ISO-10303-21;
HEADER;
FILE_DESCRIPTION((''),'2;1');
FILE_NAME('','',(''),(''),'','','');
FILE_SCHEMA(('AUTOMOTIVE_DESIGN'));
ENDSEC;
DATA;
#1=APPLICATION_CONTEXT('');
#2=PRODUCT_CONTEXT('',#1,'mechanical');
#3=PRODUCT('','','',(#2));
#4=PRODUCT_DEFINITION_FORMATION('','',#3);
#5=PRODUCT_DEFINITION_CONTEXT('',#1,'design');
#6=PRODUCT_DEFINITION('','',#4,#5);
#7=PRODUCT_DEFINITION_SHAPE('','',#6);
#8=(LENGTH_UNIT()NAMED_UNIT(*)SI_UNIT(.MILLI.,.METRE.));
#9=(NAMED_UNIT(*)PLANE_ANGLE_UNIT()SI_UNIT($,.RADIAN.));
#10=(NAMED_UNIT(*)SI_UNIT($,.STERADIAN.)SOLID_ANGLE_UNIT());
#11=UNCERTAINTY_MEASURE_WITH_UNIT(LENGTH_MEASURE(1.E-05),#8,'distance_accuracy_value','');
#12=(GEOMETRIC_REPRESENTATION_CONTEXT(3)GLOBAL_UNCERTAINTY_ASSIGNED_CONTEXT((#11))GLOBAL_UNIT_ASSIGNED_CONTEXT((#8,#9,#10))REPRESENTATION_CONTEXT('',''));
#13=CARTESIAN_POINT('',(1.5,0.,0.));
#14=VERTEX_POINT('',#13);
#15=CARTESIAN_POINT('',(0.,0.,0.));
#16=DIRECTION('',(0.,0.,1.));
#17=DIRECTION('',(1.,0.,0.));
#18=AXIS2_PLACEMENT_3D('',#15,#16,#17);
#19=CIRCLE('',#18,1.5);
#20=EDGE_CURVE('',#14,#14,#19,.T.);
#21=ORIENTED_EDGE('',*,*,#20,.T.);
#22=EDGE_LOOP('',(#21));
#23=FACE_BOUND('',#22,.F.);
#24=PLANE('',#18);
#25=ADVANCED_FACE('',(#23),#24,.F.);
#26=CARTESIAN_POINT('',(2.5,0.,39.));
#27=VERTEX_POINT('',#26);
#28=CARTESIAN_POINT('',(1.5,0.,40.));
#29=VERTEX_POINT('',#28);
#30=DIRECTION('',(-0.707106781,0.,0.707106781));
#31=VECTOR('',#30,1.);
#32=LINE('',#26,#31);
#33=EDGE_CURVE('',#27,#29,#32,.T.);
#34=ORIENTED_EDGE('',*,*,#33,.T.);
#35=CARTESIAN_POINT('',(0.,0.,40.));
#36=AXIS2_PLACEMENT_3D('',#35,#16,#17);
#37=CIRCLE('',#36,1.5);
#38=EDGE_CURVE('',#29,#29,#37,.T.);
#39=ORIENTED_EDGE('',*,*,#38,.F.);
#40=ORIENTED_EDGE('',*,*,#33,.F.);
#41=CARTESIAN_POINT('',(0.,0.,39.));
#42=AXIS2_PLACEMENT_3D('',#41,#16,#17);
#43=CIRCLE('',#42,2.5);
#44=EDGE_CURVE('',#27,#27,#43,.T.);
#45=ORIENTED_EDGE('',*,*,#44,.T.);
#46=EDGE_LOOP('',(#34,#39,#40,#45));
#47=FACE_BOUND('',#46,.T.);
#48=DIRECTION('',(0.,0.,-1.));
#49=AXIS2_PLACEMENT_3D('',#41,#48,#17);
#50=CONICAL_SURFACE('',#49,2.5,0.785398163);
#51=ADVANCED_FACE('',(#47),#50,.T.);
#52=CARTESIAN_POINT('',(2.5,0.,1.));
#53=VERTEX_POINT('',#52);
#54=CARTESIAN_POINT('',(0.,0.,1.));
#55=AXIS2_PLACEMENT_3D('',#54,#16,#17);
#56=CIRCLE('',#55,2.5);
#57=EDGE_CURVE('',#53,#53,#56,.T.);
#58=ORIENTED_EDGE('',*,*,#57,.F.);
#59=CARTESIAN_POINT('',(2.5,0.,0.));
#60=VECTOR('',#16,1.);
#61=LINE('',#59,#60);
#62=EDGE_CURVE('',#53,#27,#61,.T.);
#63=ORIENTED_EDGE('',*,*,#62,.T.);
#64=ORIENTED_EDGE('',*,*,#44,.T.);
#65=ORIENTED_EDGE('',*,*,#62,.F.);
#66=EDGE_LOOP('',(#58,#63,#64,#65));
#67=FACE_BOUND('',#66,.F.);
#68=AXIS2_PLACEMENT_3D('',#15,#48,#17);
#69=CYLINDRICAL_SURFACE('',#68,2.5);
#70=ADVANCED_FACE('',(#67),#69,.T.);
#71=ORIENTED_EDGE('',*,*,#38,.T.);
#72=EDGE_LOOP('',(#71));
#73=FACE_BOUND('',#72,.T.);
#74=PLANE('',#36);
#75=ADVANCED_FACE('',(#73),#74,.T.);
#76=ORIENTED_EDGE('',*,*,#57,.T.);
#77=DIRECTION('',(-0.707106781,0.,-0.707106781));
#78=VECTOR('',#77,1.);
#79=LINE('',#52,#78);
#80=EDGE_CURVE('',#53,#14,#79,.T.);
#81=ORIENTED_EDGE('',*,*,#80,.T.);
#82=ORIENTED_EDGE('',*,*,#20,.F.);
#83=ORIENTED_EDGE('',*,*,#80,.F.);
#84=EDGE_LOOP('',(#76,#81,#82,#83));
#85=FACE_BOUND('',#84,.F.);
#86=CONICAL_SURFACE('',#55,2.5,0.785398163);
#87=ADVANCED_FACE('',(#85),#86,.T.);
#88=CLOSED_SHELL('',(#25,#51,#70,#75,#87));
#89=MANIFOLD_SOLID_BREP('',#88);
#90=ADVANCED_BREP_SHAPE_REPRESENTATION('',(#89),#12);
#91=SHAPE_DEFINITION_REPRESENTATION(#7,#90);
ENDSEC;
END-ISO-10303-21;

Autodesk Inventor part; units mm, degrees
ref_plane "YZ Plane" through (0, 0, 0) normal (1, 0, 0) x (0, 1, 0)
ref_plane "XZ Plane" through (0, 0, 0) normal (0, 1, 0) x (-1, 0, 0)
ref_plane "XY Plane" through (0, 0, 0) normal (0, 0, 1) x (1, 0, 0)
sketch "Sketch1" plane through (0, 0, 0) normal (0, 0, 1) x (1, 0, 0)
  circle A0 centre (0, 0) radius 2.5
  dimension "d0" = 5
extrude "Extrusion1" add sketch "Sketch1" along normal blind 40
chamfer "Chamfer1" distance 1 angle 45 2 edges at (-2.5, 0, 40) (-2.5, 0, 0)
properties part number "3rd arm motor pin"
